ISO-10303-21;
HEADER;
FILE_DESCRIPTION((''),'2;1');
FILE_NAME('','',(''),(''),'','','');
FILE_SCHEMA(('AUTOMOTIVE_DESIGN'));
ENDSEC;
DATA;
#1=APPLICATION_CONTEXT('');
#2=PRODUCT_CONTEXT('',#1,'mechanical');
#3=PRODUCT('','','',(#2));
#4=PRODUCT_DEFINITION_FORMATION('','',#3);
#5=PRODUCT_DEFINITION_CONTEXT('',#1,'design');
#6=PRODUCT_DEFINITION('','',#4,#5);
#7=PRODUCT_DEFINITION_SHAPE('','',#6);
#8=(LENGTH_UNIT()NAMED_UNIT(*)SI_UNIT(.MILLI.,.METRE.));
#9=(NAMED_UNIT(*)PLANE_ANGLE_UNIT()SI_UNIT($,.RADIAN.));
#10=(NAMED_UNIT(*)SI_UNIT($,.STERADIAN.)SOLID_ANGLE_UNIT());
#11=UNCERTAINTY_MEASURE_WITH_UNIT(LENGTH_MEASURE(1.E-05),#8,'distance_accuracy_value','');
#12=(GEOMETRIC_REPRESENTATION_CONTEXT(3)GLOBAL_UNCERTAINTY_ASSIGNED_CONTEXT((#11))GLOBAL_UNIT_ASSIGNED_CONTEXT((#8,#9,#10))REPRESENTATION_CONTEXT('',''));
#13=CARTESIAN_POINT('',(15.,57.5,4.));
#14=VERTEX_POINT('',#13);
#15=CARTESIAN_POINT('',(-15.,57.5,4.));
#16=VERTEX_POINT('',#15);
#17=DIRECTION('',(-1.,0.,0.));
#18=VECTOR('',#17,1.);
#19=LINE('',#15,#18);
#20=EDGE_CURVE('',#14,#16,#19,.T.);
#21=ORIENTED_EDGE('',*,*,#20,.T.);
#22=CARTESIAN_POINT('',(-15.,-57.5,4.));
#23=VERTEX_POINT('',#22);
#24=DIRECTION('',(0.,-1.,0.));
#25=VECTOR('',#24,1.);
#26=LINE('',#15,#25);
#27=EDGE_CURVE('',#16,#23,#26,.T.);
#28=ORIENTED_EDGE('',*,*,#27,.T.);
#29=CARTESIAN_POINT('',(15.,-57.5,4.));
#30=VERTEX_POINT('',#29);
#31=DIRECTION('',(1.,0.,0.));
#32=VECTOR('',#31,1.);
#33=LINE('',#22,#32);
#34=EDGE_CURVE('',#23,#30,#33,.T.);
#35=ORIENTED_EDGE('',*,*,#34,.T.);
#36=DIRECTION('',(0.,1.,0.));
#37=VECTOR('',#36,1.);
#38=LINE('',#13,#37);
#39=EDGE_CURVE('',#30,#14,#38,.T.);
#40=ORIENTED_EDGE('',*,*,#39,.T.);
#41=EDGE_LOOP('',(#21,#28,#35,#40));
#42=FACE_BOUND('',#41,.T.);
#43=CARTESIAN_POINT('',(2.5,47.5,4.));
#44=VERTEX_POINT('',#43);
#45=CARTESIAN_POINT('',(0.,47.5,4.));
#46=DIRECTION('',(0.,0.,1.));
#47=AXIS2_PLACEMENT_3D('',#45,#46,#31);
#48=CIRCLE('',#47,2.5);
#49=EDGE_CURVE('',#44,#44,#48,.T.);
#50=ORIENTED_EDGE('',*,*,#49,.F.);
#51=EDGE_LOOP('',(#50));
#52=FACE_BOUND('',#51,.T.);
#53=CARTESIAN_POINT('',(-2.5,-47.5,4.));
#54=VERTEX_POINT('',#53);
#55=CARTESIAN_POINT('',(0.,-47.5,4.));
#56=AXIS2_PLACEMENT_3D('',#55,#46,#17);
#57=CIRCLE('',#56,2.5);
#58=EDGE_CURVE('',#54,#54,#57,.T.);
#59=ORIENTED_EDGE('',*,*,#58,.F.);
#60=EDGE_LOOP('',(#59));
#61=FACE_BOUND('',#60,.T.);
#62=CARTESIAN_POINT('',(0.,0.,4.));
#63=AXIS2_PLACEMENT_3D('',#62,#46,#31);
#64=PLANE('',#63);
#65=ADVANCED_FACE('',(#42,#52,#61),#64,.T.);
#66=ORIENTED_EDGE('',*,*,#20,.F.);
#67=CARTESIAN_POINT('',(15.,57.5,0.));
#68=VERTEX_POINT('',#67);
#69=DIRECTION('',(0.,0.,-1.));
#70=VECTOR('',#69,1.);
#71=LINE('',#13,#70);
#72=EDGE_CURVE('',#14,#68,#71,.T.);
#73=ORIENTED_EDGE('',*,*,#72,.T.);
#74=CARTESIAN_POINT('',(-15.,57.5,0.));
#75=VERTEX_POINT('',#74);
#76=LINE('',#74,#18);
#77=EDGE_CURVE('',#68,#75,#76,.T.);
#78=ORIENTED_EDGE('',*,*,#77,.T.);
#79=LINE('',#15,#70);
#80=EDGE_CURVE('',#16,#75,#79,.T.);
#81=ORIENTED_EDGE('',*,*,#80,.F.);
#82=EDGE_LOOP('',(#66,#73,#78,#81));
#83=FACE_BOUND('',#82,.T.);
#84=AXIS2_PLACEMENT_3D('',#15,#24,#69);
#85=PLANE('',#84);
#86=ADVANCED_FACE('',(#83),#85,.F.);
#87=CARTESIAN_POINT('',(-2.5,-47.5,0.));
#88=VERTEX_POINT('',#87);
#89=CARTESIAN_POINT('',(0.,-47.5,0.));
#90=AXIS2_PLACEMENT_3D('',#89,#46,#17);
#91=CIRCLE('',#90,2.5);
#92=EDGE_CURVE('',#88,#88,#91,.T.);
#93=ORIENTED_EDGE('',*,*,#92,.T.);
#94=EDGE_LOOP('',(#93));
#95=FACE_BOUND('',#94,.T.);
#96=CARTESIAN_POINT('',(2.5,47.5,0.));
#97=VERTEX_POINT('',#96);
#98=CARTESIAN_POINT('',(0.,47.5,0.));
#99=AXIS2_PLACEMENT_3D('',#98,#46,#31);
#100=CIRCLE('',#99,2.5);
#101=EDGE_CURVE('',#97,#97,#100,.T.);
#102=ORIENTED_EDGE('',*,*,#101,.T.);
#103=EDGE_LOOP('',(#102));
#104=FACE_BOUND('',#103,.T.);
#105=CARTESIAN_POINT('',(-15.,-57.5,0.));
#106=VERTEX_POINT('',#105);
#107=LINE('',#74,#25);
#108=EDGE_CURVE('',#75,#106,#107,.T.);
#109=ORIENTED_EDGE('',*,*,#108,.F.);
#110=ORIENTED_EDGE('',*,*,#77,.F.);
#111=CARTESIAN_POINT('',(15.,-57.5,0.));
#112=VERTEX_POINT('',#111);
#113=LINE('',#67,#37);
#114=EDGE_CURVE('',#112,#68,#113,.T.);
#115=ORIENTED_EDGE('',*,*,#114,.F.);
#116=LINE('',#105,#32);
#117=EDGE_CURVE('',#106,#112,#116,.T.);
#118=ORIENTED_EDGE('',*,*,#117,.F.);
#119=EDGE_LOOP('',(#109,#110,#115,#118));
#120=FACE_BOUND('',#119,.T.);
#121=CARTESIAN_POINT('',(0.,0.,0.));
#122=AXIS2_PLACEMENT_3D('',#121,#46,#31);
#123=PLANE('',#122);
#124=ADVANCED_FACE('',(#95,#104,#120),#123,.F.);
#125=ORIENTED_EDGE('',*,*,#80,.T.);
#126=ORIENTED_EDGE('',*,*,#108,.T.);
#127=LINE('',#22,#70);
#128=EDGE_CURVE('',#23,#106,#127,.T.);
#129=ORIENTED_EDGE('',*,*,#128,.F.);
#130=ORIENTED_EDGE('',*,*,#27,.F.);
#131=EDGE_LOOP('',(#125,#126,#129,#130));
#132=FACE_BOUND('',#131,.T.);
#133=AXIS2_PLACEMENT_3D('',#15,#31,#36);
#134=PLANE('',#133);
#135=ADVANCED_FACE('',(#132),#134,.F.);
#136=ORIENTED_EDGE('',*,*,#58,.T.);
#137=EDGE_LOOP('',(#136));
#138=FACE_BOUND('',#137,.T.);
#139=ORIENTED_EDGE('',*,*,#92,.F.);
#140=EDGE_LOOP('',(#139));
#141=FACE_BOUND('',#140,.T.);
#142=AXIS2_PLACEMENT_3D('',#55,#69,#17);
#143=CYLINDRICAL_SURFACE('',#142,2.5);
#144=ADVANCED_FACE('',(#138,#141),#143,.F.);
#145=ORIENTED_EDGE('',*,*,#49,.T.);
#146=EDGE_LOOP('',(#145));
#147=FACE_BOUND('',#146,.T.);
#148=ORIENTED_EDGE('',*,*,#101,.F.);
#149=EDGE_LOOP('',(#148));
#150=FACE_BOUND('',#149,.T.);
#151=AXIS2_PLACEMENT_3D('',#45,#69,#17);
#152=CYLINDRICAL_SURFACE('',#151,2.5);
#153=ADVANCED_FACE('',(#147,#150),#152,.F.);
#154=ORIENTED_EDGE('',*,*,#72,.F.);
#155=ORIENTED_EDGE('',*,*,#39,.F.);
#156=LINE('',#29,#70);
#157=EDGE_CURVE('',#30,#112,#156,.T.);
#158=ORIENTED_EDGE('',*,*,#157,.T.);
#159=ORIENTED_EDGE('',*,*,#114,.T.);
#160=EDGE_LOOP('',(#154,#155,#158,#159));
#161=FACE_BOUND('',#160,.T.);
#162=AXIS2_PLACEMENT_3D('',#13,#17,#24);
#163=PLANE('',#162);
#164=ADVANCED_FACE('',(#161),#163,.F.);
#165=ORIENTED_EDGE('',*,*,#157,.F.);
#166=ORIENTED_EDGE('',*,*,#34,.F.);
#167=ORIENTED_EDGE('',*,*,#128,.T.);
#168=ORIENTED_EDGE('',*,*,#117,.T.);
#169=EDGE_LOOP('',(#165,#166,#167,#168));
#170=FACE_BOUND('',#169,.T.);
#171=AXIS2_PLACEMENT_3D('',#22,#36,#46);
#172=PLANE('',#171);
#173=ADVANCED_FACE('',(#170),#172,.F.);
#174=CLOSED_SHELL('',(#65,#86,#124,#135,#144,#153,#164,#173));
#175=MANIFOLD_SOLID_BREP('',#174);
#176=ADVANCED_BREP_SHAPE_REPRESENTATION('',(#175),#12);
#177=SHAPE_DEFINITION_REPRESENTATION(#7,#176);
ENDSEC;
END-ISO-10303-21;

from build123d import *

# Parameters (mm, degrees)
ESQUISSE1_W        = 30
ESQUISSE1_H        = 115
ESQUISSE1_R        = 2.5
BOSS_EXTRU_1_DEPTH = 4


with BuildPart() as part:
    # Esquisse1 → Boss.-Extru.1 (new body)
    with BuildSketch(Plane.XY):
        Rectangle(ESQUISSE1_W, ESQUISSE1_H)
        with Locations((0, 47.5)):
            Circle(ESQUISSE1_R, mode=Mode.SUBTRACT)
        with Locations(Location((0, -47.5, 0), (0, 0, 180))):
            Circle(ESQUISSE1_R, mode=Mode.SUBTRACT)
    extrude(amount=BOSS_EXTRU_1_DEPTH)


solid = part.part
